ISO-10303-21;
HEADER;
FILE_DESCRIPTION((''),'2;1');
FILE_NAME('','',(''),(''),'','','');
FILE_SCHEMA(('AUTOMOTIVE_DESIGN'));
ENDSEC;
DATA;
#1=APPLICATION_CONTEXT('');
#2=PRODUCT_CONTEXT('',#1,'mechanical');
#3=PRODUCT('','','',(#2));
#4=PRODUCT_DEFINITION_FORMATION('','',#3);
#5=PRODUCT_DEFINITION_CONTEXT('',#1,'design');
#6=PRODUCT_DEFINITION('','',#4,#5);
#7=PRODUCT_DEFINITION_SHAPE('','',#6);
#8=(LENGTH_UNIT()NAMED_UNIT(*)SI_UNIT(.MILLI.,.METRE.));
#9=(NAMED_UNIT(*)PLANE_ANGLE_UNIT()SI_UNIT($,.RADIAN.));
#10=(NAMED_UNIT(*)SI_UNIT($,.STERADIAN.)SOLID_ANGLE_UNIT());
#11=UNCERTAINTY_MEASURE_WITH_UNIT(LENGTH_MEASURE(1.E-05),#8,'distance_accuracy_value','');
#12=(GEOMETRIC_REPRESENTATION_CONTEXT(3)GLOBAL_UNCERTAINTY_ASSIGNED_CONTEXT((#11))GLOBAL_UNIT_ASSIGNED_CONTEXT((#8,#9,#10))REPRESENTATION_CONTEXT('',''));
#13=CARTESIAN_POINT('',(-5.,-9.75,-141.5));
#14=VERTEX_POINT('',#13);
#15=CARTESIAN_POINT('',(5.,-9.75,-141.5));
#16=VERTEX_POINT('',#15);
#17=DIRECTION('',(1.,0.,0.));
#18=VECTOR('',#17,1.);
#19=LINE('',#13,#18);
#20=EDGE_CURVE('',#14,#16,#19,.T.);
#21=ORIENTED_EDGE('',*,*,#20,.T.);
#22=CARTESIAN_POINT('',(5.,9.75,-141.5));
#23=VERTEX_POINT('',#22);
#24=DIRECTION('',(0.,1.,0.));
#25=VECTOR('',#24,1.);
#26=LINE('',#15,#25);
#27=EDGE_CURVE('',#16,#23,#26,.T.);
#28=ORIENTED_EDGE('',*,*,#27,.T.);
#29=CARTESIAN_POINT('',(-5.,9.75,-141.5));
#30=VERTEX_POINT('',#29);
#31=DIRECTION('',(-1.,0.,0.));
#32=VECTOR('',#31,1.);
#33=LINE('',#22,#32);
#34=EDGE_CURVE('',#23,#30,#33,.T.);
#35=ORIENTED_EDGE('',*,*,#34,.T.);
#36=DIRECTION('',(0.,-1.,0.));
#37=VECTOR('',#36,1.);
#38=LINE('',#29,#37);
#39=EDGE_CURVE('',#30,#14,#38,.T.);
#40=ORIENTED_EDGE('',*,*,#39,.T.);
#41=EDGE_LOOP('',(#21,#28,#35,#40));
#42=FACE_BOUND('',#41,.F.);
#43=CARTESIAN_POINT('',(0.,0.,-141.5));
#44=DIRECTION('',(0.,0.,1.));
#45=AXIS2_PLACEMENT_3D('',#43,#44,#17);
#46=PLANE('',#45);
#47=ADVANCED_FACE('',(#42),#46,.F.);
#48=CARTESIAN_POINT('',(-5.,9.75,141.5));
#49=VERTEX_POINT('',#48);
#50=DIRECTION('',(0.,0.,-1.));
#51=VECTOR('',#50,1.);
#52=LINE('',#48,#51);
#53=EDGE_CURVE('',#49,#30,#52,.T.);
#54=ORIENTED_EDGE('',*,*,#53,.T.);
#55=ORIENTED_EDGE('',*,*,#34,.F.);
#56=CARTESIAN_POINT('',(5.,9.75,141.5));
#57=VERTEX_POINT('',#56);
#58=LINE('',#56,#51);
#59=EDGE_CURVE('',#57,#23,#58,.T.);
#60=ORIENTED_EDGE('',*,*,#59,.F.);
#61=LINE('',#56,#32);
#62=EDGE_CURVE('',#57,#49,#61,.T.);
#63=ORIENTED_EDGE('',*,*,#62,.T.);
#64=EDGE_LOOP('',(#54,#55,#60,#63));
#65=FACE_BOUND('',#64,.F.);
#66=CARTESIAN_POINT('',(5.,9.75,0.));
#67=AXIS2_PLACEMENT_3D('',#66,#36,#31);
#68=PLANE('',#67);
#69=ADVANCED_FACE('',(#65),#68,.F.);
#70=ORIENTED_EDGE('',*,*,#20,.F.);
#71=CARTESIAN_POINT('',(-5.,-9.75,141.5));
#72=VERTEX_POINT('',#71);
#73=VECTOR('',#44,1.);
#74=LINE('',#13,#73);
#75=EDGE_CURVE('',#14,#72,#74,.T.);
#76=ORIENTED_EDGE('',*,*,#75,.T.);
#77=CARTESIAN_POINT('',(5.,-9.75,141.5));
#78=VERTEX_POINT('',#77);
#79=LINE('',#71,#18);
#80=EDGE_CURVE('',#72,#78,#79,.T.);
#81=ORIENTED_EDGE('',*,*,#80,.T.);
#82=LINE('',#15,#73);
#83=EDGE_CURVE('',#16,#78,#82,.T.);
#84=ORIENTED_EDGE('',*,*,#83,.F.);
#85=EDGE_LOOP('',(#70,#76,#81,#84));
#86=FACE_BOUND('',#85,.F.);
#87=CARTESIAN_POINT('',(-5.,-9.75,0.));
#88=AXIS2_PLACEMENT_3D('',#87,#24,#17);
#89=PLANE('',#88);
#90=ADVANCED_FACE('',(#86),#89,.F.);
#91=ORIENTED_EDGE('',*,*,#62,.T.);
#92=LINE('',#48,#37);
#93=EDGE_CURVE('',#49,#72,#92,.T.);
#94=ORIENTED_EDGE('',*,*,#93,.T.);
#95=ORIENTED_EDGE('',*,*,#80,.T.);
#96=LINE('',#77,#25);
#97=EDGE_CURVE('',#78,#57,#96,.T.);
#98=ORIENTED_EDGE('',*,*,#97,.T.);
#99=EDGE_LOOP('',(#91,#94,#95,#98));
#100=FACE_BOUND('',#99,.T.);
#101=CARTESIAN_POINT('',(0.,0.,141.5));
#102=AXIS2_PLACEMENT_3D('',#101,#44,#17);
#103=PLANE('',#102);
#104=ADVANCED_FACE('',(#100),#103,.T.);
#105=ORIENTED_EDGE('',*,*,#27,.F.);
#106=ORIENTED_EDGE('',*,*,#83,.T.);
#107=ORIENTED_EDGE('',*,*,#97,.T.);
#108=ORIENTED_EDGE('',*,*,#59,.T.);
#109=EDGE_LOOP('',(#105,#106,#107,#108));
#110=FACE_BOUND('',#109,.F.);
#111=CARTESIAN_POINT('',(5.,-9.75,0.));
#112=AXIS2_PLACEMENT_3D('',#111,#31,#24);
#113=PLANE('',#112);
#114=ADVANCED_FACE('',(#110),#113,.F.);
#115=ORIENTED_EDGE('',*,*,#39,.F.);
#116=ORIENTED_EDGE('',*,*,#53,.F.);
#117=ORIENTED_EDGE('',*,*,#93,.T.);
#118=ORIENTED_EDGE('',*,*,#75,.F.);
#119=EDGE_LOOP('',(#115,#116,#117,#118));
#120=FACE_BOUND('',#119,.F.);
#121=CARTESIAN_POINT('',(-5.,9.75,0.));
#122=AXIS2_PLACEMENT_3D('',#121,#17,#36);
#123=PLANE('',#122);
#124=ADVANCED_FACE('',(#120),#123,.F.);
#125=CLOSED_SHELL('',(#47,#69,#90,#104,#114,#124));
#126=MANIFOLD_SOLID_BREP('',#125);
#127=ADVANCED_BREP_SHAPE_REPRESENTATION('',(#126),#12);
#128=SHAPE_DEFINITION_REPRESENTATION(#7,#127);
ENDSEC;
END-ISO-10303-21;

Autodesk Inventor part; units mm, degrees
ref_plane "YZ Plane" through (0, 0, 0) normal (1, 0, 0) x (0, 1, 0)
ref_plane "XZ Plane" through (0, 0, 0) normal (0, 1, 0) x (-1, 0, 0)
ref_plane "XY Plane" through (0, 0, 0) normal (0, 0, 1) x (1, 0, 0)
sketch "Sketch1" plane through (0, 0, 0) normal (0, 0, 1) x (1, 0, 0)
  line L0 (-5, -9.75) -> (5, -9.75)
  line L1 (5, -9.75) -> (5, 9.75)
  line L2 (5, 9.75) -> (-5, 9.75)
  line L3 (-5, 9.75) -> (-5, -9.75)
  line L4 (-5, -9.75) -> (5, 9.75) construction
  line L5 (5, -9.75) -> (-5, 9.75) construction
  point P0 (0, 0)
  dimension "d0" = 10
  dimension "d1" = 19.5
extrude "Extrusion1" add sketch "Sketch1" along normal mid plane 283
properties part number "SEPARADOR4" material "Steel, Mild, Welded"
